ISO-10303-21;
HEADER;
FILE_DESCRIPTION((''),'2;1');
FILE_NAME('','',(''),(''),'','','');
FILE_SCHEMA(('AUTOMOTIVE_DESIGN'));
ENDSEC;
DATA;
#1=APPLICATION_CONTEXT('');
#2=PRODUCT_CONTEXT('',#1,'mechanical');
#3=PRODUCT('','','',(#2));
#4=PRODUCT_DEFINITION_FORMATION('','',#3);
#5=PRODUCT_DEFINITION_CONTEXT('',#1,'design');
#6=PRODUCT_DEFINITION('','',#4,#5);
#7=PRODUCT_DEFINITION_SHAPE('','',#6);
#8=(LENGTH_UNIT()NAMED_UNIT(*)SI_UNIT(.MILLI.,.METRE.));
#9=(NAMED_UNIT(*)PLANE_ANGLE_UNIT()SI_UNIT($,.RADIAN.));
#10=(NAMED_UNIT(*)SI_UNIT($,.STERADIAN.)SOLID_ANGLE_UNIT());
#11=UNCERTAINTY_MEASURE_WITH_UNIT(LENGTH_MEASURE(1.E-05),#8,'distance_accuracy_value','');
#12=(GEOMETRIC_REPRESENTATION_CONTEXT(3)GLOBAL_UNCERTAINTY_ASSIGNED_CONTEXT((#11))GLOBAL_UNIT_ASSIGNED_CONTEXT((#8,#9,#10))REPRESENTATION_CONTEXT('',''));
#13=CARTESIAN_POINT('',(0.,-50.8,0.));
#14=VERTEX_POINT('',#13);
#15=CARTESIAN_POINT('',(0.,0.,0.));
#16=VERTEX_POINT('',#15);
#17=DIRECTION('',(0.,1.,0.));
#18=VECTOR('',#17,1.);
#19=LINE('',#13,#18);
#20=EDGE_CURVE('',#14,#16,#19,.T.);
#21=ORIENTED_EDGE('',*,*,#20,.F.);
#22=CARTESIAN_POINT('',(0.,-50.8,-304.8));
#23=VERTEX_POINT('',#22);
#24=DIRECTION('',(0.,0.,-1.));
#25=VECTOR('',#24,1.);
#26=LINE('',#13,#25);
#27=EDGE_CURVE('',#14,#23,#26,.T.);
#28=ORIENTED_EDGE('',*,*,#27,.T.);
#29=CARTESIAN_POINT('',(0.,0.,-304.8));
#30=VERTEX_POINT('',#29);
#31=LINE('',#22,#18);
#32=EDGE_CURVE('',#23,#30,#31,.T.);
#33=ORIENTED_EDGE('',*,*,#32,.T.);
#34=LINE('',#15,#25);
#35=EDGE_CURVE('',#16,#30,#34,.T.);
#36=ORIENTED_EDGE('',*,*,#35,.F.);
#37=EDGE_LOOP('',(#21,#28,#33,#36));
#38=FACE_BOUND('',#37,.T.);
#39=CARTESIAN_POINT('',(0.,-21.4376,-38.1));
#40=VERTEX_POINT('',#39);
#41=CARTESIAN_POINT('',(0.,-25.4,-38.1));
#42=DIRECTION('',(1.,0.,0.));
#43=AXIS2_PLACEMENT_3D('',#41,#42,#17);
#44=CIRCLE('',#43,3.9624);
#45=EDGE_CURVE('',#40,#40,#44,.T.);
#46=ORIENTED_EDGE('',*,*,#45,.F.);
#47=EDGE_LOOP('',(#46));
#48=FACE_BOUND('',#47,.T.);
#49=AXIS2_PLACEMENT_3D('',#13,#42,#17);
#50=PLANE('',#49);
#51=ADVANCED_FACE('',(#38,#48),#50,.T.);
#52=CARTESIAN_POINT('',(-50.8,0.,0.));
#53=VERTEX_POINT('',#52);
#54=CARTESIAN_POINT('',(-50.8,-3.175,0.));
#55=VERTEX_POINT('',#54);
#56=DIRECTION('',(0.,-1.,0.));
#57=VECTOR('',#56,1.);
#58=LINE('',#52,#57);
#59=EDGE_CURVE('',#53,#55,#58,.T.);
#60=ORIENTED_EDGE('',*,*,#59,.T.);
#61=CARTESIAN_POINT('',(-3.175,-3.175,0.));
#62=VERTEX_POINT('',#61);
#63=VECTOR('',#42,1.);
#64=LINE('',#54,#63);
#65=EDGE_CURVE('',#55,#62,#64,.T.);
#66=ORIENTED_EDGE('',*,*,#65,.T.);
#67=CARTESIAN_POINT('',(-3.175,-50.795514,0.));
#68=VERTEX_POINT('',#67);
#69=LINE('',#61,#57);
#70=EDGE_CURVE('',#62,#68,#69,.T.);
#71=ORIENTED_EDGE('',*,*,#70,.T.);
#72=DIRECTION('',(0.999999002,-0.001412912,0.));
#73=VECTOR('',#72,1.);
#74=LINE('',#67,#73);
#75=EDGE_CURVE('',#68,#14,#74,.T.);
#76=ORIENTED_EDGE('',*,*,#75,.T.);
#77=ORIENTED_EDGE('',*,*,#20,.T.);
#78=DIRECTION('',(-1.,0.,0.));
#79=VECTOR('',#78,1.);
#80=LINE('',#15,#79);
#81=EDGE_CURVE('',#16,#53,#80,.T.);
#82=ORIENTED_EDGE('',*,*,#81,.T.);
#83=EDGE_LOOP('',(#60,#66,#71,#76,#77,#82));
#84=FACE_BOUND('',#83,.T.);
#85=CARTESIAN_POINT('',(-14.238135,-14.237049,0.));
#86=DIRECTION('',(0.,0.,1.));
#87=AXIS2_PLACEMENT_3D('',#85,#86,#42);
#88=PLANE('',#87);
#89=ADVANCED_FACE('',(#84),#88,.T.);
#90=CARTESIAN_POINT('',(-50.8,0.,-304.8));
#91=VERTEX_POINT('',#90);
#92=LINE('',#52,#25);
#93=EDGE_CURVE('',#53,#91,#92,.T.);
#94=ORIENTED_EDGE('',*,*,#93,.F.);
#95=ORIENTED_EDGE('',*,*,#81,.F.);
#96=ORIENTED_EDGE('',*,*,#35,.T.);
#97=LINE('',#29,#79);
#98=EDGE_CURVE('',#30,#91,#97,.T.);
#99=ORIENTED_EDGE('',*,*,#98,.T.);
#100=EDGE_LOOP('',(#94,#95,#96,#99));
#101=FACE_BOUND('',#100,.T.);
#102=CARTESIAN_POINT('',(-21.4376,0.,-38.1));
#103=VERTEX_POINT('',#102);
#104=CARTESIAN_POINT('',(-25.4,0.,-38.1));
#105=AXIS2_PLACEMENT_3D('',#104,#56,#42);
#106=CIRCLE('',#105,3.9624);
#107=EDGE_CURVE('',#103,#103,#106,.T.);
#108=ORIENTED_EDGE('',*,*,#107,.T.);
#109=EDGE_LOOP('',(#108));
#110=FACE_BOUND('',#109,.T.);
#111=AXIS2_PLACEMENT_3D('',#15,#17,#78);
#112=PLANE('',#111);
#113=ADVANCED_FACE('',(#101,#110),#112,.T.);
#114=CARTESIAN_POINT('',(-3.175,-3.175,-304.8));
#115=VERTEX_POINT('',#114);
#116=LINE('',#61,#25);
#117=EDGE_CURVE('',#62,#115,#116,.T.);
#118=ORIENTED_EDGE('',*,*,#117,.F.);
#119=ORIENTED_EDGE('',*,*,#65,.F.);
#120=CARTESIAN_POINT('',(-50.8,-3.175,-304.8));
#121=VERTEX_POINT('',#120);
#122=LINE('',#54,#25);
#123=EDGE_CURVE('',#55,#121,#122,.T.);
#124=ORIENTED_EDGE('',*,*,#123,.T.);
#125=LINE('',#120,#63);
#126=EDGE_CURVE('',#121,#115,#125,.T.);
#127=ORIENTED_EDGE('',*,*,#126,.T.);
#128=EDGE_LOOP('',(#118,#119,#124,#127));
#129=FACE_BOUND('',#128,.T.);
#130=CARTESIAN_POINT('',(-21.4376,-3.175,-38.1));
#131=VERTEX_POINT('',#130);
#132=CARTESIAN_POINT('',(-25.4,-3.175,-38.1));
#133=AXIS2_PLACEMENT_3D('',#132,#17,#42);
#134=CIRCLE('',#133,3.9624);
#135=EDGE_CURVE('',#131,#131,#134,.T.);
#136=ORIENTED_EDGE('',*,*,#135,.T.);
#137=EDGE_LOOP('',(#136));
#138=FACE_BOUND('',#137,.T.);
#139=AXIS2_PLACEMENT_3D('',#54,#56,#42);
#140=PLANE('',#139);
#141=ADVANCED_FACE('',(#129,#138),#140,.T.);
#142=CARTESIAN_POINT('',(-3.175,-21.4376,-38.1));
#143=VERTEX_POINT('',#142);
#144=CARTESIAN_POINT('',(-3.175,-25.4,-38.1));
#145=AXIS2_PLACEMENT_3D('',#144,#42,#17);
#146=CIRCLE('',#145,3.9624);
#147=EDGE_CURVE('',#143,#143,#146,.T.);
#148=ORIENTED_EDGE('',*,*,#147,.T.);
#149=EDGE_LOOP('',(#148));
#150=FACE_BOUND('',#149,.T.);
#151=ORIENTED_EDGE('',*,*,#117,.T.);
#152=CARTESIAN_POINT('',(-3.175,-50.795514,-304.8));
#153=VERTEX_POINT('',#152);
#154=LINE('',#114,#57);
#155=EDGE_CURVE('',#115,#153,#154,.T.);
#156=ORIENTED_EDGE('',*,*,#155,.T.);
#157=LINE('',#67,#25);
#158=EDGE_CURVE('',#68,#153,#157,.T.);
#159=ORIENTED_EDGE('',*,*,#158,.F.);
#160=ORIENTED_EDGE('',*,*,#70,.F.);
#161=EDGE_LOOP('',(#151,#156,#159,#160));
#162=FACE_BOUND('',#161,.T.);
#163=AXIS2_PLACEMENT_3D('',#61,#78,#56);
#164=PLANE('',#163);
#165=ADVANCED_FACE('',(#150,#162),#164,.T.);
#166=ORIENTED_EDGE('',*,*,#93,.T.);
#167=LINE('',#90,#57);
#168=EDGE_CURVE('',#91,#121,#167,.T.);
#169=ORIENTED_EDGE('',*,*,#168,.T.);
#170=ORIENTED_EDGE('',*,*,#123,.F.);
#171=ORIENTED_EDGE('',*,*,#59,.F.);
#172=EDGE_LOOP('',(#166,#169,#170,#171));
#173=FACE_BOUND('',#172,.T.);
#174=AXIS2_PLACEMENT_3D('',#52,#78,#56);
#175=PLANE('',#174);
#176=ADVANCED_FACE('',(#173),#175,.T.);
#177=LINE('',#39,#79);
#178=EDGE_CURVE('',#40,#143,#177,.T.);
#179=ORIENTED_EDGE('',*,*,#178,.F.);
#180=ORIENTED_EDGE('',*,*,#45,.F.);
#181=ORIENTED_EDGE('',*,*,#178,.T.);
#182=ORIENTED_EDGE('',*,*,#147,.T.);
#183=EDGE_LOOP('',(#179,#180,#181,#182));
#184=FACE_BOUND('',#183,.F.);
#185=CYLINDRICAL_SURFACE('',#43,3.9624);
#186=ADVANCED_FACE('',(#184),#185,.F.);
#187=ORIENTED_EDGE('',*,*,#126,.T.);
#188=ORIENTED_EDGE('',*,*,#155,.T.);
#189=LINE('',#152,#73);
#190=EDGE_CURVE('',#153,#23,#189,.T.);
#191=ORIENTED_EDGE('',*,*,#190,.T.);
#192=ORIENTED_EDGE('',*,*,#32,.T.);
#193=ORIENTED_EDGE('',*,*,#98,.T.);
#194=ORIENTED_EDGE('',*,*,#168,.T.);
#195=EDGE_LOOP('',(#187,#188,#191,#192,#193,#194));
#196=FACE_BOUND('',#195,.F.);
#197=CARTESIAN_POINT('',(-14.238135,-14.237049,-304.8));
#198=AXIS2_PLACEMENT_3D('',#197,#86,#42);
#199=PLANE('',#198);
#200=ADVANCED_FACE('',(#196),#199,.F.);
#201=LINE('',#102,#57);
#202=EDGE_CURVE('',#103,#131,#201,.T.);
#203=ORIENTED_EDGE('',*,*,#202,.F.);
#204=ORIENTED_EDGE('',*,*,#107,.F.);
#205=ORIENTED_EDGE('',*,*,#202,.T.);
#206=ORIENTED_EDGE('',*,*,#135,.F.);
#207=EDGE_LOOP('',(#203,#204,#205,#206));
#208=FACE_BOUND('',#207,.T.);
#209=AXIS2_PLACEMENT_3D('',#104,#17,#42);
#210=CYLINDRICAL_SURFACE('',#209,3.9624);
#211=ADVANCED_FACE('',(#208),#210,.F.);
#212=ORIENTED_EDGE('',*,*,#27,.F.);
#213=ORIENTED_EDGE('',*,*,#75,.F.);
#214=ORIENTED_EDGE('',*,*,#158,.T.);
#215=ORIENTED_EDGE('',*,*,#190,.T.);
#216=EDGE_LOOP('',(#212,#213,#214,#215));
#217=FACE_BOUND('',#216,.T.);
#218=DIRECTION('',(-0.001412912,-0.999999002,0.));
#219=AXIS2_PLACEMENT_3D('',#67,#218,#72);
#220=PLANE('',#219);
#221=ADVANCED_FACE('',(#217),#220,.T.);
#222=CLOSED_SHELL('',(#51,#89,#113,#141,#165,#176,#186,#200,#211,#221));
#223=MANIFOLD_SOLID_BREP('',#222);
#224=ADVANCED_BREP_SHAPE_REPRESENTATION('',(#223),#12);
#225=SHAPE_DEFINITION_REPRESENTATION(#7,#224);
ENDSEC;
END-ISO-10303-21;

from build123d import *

# Parameters (mm, degrees)
F1_DEPTH = 304.8
F2_R     = 3.9624
F3_DEPTH = 50.801
F4_R     = 3.9624
F5_DEPTH = 50.801


with BuildPart() as f1:
    # F0 (on Top) → F1 (new body)
    with BuildSketch(Plane.XY):
        Polygon((0, 0), (-50.8, 0), (-50.8, -3.175), (-3.175, -3.175), (-3.175, -50.795514), (0, -50.8), align=None)
    extrude(amount=-F1_DEPTH)

    # F2 (on Right) → F3 (cut, through all)
    with BuildSketch(Plane.YZ):
        with Locations((-25.4, -38.1)):
            Circle(F2_R)
    extrude(amount=-F3_DEPTH, mode=Mode.SUBTRACT)

    # F4 (on Front) → F5 (cut, through all)
    with BuildSketch(Plane.XZ):
        with Locations((-25.4, -38.1)):
            Circle(F4_R)
    extrude(amount=F5_DEPTH, mode=Mode.SUBTRACT)


solid = f1.part
